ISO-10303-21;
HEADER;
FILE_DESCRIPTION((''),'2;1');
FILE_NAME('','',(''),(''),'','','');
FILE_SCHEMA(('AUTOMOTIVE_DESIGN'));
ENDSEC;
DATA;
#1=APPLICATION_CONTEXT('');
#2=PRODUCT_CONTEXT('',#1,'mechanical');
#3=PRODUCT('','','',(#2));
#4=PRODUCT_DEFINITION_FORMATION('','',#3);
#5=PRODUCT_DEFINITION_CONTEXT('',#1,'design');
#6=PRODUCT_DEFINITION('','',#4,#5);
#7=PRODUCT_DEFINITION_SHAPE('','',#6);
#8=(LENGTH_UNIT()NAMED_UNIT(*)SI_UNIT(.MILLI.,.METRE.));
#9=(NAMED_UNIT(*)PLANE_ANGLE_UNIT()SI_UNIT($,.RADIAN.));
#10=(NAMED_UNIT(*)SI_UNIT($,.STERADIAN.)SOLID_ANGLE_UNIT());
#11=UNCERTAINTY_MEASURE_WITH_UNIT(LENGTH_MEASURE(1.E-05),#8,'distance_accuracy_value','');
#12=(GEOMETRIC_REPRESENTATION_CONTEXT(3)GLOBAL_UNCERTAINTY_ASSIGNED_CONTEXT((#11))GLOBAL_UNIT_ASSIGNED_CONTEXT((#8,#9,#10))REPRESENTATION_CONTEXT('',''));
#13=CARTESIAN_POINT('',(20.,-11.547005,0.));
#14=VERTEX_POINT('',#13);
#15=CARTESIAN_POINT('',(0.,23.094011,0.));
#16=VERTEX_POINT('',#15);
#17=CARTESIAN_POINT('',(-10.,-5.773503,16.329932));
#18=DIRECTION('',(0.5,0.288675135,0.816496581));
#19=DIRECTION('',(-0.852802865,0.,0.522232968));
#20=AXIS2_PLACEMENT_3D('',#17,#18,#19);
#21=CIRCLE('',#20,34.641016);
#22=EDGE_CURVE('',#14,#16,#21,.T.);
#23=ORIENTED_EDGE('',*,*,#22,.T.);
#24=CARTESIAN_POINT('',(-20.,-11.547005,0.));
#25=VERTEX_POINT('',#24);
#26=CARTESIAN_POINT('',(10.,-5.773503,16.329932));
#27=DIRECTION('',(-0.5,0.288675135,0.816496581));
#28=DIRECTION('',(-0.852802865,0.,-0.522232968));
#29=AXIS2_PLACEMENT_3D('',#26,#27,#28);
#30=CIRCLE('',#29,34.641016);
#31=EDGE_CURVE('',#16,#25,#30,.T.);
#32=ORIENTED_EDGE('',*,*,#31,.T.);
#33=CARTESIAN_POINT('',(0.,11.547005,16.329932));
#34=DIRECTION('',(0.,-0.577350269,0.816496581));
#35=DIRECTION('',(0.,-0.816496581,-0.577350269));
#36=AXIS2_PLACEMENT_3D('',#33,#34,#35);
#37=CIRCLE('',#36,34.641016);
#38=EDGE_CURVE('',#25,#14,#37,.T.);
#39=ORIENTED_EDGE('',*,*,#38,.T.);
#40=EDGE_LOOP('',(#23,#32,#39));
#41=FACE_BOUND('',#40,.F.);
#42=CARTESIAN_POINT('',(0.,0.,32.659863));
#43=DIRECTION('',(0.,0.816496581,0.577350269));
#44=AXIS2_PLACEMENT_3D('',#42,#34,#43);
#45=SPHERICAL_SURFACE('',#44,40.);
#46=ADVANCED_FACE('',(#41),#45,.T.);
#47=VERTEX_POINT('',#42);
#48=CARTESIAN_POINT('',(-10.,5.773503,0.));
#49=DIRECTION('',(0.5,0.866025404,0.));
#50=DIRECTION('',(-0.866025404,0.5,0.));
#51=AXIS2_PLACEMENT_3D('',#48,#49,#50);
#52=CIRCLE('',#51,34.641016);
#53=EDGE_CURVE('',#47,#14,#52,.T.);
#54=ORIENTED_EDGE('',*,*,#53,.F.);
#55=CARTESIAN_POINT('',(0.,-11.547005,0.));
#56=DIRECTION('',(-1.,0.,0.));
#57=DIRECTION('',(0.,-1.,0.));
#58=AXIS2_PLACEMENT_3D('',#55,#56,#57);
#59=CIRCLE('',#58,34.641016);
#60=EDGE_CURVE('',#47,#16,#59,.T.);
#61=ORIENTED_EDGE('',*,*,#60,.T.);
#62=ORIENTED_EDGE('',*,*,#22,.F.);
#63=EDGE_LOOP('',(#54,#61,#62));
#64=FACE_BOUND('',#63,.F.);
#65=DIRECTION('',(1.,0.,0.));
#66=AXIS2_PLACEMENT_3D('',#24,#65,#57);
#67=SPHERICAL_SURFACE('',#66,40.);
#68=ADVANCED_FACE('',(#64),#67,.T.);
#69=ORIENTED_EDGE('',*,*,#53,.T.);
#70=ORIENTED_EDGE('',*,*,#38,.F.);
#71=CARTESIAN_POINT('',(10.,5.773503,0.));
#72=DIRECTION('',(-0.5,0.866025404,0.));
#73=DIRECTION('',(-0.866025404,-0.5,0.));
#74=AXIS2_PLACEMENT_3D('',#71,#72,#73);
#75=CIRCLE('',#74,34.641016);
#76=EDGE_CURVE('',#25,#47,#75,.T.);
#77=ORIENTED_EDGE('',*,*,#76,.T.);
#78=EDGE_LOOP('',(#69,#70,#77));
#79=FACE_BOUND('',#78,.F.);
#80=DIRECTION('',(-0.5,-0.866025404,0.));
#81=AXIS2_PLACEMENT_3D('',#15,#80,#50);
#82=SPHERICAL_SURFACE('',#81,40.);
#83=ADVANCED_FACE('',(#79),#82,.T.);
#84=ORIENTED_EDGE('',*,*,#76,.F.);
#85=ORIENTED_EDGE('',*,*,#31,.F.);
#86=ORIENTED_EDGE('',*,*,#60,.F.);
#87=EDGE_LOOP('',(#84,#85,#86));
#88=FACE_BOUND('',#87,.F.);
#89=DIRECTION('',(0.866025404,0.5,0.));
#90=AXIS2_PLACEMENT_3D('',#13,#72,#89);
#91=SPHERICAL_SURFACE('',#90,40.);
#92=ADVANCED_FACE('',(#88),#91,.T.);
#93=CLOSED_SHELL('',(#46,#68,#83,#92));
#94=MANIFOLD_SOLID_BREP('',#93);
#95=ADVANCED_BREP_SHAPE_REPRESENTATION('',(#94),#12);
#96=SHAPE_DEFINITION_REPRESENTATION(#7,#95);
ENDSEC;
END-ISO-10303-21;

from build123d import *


with BuildPart() as f2:
    # F0 (on Top) → F2 (revolve)
    with BuildSketch(Plane.XY):
        with BuildLine():
            ThreePointArc((40, -46.1880215352), (54.6410161514, 8.4529946162), (0, 23.0940107676))
            Line((0, 23.0940107676), (20, -11.5470053838))
            Line((20, -11.5470053838), (40, -46.1880215352))
        make_face()
    revolve(axis=Axis((30, -28.8675134595, 0), (0.5, -0.8660254038, 0)))


with BuildPart() as f3:
    # F0 (on Top) → F3 (revolve)
    with BuildSketch(Plane.XY):
        with BuildLine():
            ThreePointArc((-60, -11.5470053838), (-20, -51.5470053838), (20, -11.5470053838))
            Line((20, -11.5470053838), (-20, -11.5470053838))
            Line((-20, -11.5470053838), (-60, -11.5470053838))
        make_face()
    revolve(axis=Axis((-40, -11.5470053838, 0), (-1, 0, 0)))


with BuildPart() as f4:
    # F0 (on Top) → F4 (revolve)
    with BuildSketch(Plane.XY):
        with BuildLine():
            Line((-20, -11.5470053838), (0, 23.0940107676))
            Line((0, 23.0940107676), (20, 57.735026919))
            ThreePointArc((20, 57.735026919), (-34.6410161514, 43.0940107676), (-20, -11.5470053838))
        make_face()
    revolve(axis=Axis((10, 40.4145188433, 0), (0.5, 0.8660254038, 0)))


with BuildPart() as f5:
    # F1 (on Right) → F5 (revolve)
    with BuildSketch(Plane.YZ):
        with BuildLine():
            Line((-23.0940107676, 65.3197264742), (0, 32.6598632371))
            Line((0, 32.6598632371), (23.0940107676, 0))
            ThreePointArc((23.0940107676, 0), (32.6598632371, 55.7538740047), (-23.0940107676, 65.3197264742))
        make_face()
    revolve(axis=Axis((0, -11.5470053838, 48.9897948557), (0, 0.5773502692, -0.8164965809)))


with BuildPart() as f2_1:
    add(f2.part)

    # F6: intersect F3, F4, F5
    add(f3.part, mode=Mode.INTERSECT)
    add(f4.part, mode=Mode.INTERSECT)
    add(f5.part, mode=Mode.INTERSECT)


solid = f2_1.part
